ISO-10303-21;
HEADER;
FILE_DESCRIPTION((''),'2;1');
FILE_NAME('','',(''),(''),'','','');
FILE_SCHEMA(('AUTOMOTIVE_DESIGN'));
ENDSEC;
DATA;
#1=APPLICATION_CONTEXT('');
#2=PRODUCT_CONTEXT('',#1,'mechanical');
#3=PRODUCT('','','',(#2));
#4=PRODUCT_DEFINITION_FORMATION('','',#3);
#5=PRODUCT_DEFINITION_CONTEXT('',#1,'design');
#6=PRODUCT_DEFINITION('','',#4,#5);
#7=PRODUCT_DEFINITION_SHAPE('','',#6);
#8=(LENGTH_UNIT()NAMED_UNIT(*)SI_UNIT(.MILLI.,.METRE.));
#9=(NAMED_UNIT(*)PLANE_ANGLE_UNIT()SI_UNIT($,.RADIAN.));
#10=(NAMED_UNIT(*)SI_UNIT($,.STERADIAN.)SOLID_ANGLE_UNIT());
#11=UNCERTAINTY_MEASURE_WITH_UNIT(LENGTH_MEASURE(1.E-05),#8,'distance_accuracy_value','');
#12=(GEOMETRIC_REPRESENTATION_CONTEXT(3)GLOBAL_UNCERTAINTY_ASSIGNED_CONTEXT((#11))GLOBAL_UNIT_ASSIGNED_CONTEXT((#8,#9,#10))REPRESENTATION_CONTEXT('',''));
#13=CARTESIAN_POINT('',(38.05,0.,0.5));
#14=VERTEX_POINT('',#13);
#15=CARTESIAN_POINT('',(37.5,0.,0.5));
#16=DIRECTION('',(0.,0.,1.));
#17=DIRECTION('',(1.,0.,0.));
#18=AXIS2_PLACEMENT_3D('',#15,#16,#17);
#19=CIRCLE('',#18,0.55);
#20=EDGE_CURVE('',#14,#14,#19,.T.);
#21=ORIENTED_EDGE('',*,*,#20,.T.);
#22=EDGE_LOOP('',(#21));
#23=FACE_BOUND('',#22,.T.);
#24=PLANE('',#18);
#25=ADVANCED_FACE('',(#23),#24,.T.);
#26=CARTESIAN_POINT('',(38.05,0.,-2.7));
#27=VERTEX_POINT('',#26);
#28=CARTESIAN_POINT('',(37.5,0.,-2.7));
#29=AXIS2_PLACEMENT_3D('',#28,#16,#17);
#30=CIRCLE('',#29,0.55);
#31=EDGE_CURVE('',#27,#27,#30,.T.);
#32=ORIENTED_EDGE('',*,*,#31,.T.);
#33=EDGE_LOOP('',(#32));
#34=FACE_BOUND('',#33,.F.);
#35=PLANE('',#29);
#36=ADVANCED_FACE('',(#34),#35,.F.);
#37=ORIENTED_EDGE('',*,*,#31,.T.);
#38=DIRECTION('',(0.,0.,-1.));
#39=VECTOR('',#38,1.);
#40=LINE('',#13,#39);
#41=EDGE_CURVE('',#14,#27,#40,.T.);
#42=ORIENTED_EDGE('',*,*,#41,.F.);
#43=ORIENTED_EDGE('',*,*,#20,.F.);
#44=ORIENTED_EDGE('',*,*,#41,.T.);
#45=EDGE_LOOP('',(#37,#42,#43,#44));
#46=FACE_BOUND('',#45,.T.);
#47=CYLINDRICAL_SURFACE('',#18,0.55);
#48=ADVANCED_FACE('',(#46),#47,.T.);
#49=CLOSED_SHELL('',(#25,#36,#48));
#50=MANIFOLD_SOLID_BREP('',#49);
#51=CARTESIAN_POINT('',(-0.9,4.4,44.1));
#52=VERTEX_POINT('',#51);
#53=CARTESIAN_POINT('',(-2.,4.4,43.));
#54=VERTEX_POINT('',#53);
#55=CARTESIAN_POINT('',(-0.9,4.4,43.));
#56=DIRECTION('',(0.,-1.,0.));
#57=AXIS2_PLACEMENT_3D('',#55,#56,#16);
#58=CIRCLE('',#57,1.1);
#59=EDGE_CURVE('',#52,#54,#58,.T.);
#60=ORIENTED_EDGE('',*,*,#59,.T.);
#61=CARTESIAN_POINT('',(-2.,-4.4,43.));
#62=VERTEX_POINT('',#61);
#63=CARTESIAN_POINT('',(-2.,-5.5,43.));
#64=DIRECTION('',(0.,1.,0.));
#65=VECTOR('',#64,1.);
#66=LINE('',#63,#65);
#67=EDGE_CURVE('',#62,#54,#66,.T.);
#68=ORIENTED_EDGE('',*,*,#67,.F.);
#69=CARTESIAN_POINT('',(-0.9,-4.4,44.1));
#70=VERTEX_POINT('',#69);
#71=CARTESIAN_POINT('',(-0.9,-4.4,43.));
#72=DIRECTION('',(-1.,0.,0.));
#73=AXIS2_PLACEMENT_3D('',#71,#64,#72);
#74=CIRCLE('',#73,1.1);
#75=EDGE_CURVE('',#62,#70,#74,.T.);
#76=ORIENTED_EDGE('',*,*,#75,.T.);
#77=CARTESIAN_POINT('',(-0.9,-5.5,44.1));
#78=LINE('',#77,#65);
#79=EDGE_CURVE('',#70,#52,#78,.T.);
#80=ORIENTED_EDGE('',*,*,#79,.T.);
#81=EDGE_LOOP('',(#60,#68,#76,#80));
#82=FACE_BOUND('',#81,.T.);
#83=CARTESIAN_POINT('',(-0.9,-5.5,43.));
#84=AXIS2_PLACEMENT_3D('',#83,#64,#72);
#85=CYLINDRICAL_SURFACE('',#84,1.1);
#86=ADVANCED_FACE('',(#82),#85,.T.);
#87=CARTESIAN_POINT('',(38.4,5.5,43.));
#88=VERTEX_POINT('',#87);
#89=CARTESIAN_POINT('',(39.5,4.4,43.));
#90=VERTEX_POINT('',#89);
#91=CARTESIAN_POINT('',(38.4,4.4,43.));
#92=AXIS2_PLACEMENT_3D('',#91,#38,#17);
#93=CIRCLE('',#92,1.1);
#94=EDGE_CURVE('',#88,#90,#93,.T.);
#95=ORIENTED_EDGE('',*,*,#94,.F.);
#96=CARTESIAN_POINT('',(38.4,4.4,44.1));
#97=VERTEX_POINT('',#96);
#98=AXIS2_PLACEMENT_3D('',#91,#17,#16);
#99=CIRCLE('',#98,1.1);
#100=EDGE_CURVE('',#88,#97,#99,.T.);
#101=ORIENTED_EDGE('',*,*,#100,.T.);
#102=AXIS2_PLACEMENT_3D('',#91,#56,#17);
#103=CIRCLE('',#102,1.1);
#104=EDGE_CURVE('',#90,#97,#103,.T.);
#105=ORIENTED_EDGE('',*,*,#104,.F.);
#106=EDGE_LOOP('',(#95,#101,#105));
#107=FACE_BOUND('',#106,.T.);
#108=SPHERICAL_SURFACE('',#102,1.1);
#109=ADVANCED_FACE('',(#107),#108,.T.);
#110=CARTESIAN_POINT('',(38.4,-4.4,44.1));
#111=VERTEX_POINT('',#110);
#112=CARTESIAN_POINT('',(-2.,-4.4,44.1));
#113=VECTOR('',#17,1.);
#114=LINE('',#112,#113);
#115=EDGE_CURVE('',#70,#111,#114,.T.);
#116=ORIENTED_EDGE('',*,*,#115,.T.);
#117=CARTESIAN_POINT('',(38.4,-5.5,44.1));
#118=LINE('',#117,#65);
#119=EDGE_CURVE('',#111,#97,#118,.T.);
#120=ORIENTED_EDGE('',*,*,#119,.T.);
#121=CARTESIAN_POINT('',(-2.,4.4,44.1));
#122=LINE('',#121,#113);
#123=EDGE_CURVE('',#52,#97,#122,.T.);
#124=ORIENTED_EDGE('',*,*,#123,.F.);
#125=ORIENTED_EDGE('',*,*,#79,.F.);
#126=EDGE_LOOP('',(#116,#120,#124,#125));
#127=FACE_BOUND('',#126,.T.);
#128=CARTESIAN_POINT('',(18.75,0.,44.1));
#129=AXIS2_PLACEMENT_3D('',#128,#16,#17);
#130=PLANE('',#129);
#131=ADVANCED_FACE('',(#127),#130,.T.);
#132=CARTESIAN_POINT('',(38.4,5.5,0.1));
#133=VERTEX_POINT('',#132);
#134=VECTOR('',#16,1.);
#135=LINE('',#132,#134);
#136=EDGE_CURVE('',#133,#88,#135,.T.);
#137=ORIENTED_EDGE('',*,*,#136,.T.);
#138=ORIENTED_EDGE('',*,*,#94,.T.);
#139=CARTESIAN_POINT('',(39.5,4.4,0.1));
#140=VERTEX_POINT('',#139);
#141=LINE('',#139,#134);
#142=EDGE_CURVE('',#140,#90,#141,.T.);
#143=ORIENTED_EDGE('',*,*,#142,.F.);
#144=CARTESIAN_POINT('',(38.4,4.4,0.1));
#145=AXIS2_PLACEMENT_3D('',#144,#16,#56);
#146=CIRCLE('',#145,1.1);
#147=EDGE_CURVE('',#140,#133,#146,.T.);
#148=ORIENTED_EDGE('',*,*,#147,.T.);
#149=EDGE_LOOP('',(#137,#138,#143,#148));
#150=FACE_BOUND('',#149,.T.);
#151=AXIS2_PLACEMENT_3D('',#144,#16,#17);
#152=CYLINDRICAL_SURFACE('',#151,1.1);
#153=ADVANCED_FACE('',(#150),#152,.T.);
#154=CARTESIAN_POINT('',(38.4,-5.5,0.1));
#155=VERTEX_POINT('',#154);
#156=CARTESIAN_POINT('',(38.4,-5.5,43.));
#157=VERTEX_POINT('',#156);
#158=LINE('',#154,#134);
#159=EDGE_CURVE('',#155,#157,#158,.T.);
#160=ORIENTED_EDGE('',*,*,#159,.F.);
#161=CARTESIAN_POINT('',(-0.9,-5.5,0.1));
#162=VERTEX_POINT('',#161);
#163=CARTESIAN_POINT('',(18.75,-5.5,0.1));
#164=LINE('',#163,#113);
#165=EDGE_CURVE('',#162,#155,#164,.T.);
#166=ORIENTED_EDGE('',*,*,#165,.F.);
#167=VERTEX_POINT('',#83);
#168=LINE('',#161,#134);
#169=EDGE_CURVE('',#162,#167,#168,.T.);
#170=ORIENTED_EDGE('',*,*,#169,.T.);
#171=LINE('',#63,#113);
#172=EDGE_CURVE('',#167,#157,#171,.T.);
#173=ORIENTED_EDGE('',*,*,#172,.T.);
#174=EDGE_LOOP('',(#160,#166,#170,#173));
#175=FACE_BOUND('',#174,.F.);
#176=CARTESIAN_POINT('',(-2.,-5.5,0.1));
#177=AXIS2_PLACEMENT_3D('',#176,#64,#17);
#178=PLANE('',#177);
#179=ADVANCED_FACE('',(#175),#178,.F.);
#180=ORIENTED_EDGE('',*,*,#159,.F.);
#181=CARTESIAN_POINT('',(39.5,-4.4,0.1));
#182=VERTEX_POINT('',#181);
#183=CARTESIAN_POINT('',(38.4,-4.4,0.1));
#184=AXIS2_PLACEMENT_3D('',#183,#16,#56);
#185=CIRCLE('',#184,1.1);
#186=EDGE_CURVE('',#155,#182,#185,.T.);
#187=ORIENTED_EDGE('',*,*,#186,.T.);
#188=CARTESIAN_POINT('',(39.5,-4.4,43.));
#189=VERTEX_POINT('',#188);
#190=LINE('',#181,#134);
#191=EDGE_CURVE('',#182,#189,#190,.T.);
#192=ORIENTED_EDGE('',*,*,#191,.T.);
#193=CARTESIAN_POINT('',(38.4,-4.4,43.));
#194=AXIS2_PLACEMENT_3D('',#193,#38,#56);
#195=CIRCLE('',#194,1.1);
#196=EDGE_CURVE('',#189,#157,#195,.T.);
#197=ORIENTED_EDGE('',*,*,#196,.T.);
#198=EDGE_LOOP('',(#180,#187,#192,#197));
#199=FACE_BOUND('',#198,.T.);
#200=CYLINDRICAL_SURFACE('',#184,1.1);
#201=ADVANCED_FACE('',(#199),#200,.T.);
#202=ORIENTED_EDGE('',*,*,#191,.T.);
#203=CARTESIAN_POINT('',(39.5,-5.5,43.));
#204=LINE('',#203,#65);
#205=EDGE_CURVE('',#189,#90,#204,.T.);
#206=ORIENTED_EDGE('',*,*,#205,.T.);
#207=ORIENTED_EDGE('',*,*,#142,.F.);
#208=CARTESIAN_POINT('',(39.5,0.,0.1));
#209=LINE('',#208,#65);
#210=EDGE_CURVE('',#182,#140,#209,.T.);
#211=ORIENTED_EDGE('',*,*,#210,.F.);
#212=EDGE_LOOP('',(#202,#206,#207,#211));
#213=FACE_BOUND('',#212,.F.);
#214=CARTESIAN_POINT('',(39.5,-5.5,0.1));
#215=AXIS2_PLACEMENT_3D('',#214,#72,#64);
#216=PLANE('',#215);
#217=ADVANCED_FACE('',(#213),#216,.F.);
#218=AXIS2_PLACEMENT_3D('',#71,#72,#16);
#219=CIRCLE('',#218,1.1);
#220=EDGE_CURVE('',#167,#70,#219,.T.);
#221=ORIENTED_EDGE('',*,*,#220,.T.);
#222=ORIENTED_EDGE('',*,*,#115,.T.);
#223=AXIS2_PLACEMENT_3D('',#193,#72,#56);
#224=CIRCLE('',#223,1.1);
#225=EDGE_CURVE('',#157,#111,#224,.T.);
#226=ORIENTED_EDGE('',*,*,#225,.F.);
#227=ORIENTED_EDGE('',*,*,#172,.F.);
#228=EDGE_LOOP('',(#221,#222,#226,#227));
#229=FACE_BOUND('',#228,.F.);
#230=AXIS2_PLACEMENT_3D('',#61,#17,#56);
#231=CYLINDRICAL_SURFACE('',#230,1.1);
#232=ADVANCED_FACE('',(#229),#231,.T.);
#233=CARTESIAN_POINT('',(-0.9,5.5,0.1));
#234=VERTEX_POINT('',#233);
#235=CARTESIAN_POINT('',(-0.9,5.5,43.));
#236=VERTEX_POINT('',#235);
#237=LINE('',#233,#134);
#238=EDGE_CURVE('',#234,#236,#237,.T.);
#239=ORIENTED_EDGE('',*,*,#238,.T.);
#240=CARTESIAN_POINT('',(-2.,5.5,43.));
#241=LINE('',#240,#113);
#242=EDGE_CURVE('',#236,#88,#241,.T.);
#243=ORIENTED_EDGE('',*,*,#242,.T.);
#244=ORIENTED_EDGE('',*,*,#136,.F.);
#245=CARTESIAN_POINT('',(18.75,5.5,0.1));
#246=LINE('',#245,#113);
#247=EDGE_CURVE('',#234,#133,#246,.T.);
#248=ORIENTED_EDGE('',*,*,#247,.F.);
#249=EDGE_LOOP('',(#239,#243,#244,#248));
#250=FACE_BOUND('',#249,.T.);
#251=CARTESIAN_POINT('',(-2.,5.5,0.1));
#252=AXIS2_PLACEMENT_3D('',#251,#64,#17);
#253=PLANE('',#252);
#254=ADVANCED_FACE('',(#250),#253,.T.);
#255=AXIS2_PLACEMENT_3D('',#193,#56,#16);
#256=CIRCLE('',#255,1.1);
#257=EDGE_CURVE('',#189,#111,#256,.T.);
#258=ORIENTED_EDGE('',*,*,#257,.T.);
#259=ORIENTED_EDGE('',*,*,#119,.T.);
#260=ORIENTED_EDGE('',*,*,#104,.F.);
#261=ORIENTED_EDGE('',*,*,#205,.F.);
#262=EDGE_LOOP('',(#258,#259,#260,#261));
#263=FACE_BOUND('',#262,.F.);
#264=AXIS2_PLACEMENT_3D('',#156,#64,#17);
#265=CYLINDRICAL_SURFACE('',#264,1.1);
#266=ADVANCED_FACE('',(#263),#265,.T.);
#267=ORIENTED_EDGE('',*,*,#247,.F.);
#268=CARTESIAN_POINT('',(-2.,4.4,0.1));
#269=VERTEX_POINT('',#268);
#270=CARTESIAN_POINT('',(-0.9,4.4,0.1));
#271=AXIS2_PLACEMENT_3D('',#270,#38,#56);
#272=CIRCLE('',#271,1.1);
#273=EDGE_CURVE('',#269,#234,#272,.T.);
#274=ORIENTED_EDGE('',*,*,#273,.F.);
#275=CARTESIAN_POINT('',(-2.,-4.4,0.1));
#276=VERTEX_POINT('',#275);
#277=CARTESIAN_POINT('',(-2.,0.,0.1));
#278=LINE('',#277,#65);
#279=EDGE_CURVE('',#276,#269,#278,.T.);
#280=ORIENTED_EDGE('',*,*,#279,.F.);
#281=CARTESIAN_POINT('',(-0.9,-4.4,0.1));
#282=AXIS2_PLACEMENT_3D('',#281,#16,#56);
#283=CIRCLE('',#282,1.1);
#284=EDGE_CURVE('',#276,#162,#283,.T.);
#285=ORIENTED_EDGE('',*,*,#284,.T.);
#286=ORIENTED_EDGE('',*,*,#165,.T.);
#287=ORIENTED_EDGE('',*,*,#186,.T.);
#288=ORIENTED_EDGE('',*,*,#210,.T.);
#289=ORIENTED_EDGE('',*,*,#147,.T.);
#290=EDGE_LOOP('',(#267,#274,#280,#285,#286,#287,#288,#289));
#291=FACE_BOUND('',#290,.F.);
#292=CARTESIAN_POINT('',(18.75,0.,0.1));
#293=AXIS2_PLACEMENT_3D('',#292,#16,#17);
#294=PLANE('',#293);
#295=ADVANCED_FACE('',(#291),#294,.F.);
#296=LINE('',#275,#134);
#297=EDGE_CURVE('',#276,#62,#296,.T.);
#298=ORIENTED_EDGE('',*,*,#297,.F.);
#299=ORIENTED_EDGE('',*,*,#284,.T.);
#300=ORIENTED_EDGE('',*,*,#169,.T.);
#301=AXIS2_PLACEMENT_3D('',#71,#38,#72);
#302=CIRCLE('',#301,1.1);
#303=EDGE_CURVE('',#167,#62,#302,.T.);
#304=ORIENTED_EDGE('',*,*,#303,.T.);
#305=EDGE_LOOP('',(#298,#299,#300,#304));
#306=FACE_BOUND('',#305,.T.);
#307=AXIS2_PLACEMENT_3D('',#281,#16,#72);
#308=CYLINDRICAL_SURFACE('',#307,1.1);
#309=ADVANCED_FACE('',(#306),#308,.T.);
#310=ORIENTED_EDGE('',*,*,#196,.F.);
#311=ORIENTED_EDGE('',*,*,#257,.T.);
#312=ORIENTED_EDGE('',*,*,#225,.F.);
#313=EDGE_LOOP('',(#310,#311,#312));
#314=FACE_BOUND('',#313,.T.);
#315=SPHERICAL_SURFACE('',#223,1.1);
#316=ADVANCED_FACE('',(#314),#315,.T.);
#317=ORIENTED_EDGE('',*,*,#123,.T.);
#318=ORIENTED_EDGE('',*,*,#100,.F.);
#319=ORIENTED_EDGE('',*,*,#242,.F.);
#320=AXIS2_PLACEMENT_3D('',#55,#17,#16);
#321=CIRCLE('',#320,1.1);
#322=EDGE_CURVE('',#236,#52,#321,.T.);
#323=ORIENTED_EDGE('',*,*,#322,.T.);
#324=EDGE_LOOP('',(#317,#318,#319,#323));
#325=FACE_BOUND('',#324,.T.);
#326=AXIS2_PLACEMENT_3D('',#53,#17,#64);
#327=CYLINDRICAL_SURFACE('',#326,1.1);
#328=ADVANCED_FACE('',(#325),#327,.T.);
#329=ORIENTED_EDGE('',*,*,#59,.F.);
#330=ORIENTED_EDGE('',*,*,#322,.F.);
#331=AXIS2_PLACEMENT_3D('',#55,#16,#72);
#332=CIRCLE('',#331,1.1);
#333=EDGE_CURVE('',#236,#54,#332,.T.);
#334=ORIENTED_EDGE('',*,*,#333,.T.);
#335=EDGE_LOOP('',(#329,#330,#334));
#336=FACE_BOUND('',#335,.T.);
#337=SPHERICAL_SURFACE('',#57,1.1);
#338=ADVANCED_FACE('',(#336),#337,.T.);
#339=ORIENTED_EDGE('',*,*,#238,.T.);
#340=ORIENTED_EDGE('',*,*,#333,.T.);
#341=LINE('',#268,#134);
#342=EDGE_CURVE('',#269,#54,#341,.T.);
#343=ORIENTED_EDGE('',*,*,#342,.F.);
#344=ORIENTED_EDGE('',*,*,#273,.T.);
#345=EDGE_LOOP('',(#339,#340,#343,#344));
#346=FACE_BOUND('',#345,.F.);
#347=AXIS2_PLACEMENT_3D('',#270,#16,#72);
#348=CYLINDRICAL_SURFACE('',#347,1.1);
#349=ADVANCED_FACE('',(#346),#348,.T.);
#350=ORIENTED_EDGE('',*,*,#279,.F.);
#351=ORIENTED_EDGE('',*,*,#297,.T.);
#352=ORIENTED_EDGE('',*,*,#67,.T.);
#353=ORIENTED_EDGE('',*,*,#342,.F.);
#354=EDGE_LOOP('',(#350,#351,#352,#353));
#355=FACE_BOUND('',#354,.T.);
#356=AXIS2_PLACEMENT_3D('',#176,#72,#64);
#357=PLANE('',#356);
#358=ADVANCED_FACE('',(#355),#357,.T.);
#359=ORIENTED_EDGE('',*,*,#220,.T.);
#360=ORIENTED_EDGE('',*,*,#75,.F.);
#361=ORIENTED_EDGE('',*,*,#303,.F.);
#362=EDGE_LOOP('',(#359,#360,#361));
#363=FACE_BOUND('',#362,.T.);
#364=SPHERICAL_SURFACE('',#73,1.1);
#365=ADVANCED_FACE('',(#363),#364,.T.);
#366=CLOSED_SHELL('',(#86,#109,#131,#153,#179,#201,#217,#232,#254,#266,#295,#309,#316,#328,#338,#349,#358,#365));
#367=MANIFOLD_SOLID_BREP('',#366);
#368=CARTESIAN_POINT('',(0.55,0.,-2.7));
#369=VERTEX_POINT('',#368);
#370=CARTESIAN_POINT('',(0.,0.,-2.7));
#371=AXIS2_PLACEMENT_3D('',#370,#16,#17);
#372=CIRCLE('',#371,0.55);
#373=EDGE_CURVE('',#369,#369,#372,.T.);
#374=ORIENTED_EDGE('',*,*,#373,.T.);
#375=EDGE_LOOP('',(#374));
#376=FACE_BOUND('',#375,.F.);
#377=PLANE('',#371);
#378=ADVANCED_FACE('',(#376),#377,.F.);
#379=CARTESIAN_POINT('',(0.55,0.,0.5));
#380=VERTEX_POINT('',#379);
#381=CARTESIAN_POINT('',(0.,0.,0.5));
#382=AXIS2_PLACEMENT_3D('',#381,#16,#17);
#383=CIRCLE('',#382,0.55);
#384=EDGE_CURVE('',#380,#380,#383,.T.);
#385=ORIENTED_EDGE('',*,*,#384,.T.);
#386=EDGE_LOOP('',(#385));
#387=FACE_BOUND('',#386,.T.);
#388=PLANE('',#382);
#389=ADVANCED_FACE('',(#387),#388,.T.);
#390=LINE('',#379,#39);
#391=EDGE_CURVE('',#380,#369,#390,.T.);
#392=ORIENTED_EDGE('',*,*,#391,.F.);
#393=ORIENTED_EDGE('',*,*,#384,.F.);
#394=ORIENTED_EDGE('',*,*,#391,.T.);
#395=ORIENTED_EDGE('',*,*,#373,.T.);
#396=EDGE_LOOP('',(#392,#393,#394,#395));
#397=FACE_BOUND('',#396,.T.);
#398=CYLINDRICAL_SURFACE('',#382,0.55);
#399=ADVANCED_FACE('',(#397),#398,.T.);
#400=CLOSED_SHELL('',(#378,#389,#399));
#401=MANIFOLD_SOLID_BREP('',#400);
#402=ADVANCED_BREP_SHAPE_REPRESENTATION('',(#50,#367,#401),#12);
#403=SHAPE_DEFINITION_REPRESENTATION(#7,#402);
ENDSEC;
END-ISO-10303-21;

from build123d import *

# Parameters (mm, degrees)
SKETCH_W     = 41.5
SKETCH_H     = 11
PAD_DEPTH    = 44
FILLET_R     = 1.1
SKETCH001_R  = 0.55
PAD001_DEPTH = 3.2


with BuildPart() as fillet_body:
    # Sketch → Pad (new body)
    with BuildSketch(Plane.XY.offset(0.1)):
        with Locations((18.75, 0)):
            Rectangle(SKETCH_W, SKETCH_H)
    extrude(amount=PAD_DEPTH)

    # Fillet
    fillet_edges = [fillet_body.edges().sort_by_distance(p)[0] for p in [
        (-2, 0, 44.1),
        (-2, -5.5, 22.1),
        (18.75, -5.5, 44.1),
        (39.5, -5.5, 22.1),
        (39.5, 0, 44.1),
        (39.5, 5.5, 22.1),
        (18.75, 5.5, 44.1),
        (-2, 5.5, 22.1),
    ]]
    fillet(fillet_edges, radius=FILLET_R)


with BuildPart() as pad001:
    # Sketch001 → Pad001 (new body)
    with BuildSketch(Plane.XY.offset(0.5)):
        Circle(SKETCH001_R)
        with Locations((37.5, 0)):
            Circle(SKETCH001_R)
    extrude(amount=-PAD001_DEPTH)


solid = Compound([fillet_body.part, pad001.part])
